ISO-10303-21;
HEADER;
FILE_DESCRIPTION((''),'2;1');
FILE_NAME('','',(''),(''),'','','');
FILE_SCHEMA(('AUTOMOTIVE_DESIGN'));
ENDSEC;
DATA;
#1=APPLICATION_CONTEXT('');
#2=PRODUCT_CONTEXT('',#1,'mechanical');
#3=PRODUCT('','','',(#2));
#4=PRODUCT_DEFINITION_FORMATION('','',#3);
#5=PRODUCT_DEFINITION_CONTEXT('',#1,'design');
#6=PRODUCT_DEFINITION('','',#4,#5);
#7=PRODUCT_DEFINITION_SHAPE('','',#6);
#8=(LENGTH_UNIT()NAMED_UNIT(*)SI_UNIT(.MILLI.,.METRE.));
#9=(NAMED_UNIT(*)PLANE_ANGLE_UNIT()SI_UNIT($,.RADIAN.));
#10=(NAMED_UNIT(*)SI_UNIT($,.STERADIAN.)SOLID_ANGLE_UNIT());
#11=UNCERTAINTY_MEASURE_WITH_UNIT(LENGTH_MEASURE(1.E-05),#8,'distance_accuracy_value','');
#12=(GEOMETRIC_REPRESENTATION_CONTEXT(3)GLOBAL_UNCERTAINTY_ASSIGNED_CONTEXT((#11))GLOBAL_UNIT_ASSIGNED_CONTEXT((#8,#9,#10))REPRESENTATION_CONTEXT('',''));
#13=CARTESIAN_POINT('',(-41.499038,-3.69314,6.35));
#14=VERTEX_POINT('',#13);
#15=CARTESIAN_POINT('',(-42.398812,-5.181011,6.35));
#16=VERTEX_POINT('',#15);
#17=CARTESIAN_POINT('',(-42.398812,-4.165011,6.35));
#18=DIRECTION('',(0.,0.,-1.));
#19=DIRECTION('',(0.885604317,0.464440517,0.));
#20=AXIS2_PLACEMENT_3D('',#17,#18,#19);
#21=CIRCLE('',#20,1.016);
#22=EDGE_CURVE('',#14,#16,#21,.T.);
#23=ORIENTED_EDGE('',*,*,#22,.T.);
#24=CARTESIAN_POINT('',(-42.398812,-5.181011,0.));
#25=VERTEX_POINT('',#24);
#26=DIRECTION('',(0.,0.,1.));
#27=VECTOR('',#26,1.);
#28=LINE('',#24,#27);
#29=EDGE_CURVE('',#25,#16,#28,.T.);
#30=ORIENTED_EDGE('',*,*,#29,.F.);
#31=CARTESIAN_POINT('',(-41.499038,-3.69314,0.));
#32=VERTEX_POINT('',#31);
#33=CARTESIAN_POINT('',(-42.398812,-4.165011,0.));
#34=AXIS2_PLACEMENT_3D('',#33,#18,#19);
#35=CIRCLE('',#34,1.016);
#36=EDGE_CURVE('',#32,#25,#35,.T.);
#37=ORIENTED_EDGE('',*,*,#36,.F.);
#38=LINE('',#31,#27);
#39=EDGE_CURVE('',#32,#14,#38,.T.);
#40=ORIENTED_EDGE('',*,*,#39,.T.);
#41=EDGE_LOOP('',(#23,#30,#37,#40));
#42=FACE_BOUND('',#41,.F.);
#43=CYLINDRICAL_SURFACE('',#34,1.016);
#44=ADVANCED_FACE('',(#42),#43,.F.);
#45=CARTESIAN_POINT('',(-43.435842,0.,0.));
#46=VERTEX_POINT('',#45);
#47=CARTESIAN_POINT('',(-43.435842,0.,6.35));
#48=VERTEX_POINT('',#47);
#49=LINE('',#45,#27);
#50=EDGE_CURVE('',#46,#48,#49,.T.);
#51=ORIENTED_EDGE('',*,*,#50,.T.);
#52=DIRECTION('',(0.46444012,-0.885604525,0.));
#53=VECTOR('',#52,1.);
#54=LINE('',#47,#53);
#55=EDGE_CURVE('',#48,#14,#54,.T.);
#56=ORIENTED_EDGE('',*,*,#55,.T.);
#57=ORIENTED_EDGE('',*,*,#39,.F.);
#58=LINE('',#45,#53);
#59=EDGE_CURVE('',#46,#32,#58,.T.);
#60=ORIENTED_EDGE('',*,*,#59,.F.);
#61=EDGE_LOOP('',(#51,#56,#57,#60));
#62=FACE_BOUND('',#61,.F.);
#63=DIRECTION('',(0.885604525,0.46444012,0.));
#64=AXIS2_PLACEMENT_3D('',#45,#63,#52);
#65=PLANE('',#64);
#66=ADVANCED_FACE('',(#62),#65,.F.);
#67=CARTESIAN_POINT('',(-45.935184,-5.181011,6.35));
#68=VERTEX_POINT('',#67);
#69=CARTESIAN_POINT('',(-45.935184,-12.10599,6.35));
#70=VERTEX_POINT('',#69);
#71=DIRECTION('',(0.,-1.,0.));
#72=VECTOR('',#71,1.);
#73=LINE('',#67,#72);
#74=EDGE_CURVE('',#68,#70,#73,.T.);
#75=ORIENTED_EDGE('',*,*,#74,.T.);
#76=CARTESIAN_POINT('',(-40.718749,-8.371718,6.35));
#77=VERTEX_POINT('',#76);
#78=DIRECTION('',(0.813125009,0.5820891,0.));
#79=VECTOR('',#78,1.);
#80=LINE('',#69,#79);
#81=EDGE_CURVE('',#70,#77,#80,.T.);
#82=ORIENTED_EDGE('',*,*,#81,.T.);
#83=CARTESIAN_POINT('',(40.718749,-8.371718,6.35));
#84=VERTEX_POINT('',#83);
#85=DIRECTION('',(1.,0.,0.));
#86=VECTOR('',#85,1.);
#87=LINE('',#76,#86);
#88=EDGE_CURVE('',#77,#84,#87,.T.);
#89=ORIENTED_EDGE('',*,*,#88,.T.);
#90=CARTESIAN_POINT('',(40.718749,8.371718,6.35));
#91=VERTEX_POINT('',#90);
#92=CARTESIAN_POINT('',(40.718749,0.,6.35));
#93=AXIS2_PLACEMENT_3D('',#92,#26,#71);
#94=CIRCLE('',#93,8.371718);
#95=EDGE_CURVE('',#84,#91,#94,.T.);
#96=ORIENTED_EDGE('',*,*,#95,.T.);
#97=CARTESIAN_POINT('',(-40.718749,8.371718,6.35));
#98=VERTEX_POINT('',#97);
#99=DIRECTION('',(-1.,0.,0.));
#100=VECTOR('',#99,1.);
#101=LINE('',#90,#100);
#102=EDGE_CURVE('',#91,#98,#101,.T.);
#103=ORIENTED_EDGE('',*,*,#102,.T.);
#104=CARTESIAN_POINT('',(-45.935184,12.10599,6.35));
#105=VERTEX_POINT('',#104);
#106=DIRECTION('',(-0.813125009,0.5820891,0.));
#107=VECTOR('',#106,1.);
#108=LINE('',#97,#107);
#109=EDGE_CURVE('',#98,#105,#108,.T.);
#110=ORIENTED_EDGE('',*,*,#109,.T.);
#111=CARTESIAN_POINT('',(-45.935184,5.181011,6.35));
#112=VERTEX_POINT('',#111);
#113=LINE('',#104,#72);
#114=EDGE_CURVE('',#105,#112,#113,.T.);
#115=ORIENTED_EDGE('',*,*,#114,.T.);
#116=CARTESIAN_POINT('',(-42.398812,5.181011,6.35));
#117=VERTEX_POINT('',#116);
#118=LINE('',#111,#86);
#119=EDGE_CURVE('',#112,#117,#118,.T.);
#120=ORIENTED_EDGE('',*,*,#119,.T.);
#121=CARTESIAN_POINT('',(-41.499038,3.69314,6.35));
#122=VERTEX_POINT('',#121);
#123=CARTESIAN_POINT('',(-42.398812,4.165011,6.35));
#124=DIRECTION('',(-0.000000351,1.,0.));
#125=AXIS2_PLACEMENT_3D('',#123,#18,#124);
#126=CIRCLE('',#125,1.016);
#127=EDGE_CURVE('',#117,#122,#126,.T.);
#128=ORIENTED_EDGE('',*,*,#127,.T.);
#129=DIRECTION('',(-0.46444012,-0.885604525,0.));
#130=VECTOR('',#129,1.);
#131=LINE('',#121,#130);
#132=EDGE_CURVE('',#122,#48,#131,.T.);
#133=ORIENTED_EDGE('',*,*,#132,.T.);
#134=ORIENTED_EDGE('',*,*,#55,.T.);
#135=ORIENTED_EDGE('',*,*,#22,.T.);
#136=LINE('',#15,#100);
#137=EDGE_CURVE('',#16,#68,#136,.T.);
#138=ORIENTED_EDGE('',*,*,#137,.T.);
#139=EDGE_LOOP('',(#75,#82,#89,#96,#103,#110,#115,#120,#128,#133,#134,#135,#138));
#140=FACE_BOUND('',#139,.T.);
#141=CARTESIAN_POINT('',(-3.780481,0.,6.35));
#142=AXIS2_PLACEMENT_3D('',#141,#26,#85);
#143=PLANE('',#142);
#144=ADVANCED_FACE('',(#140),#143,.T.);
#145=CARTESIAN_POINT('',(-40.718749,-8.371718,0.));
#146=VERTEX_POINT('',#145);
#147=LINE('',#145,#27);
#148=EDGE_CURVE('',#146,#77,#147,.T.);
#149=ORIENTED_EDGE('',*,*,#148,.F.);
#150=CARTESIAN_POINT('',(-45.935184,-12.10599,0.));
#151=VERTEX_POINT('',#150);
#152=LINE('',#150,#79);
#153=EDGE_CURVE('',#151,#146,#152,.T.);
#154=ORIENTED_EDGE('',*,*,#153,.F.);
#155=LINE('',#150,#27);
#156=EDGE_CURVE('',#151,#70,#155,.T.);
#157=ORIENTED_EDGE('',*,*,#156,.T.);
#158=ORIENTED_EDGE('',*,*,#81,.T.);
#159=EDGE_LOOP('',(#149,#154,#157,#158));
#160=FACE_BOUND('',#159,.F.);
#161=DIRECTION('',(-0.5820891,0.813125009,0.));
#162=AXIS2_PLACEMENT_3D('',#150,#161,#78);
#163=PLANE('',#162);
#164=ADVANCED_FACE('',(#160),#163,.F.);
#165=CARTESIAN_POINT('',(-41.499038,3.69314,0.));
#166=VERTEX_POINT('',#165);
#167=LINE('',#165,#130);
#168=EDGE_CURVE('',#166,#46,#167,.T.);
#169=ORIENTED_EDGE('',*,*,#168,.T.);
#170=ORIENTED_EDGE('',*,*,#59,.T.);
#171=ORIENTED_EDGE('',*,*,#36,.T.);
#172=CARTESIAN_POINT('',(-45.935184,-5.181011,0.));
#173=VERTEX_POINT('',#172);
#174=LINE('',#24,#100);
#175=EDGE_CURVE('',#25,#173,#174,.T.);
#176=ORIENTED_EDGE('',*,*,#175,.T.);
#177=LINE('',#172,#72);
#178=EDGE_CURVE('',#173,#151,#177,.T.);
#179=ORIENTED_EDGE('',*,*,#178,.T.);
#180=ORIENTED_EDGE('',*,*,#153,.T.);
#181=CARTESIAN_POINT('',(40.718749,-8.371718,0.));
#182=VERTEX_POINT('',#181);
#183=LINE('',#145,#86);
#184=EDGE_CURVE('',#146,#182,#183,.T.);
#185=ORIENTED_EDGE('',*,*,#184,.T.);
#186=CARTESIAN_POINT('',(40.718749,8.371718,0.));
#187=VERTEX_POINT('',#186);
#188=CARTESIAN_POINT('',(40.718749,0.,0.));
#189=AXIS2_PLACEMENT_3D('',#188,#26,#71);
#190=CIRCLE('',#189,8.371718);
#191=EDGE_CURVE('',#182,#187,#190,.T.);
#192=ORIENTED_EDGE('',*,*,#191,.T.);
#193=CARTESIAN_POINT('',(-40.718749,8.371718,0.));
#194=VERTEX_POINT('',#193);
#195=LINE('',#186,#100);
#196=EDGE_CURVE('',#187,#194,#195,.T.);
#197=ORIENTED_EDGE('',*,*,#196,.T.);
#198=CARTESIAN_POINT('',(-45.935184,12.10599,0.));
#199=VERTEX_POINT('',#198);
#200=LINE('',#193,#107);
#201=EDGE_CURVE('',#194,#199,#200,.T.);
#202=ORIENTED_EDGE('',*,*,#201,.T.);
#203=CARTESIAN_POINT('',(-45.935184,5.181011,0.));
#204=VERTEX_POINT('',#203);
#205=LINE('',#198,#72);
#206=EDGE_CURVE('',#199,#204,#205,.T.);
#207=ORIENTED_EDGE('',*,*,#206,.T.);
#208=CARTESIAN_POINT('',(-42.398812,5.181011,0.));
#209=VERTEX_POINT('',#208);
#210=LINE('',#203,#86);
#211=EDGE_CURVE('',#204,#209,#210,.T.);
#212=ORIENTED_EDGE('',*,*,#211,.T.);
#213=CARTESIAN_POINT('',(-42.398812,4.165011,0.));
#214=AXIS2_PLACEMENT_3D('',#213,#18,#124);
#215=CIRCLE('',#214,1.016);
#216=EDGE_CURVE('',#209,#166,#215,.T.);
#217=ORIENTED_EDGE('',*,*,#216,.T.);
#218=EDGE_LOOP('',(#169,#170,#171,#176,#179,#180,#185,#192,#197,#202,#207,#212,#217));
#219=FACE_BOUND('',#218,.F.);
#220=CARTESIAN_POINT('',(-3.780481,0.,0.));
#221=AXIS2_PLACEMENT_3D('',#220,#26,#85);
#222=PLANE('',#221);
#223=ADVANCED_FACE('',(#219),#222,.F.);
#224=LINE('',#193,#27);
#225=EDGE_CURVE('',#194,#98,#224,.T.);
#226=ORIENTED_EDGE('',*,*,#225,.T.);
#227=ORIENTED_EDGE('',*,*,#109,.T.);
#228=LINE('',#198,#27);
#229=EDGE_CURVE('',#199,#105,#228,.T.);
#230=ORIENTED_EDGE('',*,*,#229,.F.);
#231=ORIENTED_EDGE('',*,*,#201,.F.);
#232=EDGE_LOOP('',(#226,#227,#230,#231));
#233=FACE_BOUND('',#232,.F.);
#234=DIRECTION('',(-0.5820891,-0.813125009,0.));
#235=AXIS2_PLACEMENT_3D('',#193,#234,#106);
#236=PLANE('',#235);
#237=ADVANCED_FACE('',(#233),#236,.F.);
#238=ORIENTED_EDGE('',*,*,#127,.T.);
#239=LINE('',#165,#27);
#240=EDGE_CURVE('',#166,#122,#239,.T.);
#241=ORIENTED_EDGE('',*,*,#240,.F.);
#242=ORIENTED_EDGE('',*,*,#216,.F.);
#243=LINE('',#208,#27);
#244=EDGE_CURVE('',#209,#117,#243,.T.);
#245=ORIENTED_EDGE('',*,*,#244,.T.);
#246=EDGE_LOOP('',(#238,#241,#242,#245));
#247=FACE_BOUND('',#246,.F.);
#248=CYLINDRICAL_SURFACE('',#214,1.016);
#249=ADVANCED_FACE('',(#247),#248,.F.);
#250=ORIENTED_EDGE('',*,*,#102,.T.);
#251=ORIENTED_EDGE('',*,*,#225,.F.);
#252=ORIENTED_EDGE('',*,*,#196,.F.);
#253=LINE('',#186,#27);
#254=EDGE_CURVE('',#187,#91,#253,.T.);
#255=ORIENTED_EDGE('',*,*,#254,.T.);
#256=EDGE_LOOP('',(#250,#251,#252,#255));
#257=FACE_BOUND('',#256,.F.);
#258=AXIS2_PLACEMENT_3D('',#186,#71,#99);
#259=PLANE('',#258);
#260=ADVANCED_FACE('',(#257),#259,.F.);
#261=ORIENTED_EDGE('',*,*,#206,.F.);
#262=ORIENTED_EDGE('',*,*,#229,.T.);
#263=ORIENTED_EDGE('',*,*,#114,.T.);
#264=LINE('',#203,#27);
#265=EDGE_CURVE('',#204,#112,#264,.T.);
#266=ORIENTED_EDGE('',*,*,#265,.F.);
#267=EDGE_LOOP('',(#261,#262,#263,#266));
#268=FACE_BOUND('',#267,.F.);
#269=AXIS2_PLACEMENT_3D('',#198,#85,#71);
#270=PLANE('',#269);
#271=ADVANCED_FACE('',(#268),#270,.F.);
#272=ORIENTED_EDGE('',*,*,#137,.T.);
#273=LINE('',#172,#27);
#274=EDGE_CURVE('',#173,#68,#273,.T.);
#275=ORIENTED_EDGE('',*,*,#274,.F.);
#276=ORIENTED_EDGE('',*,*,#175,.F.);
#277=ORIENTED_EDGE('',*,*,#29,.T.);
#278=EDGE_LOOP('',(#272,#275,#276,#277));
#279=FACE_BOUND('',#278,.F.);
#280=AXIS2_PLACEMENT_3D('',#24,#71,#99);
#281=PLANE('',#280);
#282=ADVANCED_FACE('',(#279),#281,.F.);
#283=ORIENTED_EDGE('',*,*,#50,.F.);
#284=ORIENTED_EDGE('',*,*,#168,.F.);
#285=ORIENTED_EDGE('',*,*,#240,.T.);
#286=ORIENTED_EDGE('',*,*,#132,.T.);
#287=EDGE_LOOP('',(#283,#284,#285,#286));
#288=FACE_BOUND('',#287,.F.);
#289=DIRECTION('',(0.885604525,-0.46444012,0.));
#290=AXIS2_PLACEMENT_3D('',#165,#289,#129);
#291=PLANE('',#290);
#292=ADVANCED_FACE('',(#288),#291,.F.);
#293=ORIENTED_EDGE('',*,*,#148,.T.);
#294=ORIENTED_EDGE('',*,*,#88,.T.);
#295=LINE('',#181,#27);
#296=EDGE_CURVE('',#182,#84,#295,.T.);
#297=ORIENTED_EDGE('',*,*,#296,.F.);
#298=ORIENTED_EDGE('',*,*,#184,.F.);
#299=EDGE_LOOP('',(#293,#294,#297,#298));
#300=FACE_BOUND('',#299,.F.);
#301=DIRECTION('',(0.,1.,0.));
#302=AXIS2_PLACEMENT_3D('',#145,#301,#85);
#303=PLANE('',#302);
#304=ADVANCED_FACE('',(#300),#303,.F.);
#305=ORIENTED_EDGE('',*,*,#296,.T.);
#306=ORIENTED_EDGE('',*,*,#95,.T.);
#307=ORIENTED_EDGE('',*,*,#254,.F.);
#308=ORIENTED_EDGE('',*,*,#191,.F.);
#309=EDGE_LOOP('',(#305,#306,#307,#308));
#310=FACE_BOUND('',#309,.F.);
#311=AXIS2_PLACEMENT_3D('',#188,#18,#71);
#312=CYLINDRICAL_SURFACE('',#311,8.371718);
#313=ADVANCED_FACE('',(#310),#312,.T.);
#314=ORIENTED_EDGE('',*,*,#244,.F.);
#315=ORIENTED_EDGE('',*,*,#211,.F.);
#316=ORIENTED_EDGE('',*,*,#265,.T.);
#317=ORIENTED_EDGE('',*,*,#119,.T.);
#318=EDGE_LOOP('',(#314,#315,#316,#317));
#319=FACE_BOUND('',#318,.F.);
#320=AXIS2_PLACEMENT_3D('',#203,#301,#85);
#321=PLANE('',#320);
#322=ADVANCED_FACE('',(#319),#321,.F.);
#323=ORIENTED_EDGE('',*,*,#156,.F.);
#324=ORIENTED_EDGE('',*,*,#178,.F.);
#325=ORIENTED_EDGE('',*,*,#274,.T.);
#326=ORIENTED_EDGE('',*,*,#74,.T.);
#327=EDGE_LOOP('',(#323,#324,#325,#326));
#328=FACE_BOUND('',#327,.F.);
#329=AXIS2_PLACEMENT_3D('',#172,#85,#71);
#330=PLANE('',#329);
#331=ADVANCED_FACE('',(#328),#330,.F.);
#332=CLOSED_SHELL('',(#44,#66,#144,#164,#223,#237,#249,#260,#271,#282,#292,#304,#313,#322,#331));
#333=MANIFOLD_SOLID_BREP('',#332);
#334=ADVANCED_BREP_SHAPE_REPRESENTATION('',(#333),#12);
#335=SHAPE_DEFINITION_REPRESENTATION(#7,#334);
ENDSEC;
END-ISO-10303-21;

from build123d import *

# Parameters (mm, degrees)
F1_DEPTH = 6.35


with BuildPart() as f1:
    # F0 (on Top) → F1 (new body)
    with BuildSketch(Plane.XY):
        with BuildLine():
            ThreePointArc((40.718749, -8.371718), (49.090467, 0), (40.718749, 8.371718))
            Line((40.718749, 8.371718), (-40.718749, 8.371718))
            Line((-40.718749, 8.371718), (-45.935184, 12.10599))
            Line((-45.935184, 12.10599), (-45.935184, 8.371718))
            Line((-45.935184, 8.371718), (-45.935184, 5.181011))
            Line((-45.935184, 5.181011), (-42.398812, 5.181011))
            ThreePointArc((-42.398812, 5.181011), (-41.529422, 4.690765), (-41.499038, 3.69314))
            Line((-41.499038, 3.69314), (-43.435842, 0))
            Line((-43.435842, 0), (-41.499038, -3.69314))
            ThreePointArc((-41.499038, -3.69314), (-41.529422, -4.690765), (-42.398812, -5.181011))
            Line((-42.398812, -5.181011), (-45.935184, -5.181011))
            Line((-45.935184, -5.181011), (-45.935184, -8.371718))
            Line((-45.935184, -8.371718), (-45.935184, -12.10599))
            Line((-45.935184, -12.10599), (-40.718749, -8.371718))
            Line((-40.718749, -8.371718), (40.718749, -8.371718))
        make_face()
    extrude(amount=F1_DEPTH)


solid = f1.part
